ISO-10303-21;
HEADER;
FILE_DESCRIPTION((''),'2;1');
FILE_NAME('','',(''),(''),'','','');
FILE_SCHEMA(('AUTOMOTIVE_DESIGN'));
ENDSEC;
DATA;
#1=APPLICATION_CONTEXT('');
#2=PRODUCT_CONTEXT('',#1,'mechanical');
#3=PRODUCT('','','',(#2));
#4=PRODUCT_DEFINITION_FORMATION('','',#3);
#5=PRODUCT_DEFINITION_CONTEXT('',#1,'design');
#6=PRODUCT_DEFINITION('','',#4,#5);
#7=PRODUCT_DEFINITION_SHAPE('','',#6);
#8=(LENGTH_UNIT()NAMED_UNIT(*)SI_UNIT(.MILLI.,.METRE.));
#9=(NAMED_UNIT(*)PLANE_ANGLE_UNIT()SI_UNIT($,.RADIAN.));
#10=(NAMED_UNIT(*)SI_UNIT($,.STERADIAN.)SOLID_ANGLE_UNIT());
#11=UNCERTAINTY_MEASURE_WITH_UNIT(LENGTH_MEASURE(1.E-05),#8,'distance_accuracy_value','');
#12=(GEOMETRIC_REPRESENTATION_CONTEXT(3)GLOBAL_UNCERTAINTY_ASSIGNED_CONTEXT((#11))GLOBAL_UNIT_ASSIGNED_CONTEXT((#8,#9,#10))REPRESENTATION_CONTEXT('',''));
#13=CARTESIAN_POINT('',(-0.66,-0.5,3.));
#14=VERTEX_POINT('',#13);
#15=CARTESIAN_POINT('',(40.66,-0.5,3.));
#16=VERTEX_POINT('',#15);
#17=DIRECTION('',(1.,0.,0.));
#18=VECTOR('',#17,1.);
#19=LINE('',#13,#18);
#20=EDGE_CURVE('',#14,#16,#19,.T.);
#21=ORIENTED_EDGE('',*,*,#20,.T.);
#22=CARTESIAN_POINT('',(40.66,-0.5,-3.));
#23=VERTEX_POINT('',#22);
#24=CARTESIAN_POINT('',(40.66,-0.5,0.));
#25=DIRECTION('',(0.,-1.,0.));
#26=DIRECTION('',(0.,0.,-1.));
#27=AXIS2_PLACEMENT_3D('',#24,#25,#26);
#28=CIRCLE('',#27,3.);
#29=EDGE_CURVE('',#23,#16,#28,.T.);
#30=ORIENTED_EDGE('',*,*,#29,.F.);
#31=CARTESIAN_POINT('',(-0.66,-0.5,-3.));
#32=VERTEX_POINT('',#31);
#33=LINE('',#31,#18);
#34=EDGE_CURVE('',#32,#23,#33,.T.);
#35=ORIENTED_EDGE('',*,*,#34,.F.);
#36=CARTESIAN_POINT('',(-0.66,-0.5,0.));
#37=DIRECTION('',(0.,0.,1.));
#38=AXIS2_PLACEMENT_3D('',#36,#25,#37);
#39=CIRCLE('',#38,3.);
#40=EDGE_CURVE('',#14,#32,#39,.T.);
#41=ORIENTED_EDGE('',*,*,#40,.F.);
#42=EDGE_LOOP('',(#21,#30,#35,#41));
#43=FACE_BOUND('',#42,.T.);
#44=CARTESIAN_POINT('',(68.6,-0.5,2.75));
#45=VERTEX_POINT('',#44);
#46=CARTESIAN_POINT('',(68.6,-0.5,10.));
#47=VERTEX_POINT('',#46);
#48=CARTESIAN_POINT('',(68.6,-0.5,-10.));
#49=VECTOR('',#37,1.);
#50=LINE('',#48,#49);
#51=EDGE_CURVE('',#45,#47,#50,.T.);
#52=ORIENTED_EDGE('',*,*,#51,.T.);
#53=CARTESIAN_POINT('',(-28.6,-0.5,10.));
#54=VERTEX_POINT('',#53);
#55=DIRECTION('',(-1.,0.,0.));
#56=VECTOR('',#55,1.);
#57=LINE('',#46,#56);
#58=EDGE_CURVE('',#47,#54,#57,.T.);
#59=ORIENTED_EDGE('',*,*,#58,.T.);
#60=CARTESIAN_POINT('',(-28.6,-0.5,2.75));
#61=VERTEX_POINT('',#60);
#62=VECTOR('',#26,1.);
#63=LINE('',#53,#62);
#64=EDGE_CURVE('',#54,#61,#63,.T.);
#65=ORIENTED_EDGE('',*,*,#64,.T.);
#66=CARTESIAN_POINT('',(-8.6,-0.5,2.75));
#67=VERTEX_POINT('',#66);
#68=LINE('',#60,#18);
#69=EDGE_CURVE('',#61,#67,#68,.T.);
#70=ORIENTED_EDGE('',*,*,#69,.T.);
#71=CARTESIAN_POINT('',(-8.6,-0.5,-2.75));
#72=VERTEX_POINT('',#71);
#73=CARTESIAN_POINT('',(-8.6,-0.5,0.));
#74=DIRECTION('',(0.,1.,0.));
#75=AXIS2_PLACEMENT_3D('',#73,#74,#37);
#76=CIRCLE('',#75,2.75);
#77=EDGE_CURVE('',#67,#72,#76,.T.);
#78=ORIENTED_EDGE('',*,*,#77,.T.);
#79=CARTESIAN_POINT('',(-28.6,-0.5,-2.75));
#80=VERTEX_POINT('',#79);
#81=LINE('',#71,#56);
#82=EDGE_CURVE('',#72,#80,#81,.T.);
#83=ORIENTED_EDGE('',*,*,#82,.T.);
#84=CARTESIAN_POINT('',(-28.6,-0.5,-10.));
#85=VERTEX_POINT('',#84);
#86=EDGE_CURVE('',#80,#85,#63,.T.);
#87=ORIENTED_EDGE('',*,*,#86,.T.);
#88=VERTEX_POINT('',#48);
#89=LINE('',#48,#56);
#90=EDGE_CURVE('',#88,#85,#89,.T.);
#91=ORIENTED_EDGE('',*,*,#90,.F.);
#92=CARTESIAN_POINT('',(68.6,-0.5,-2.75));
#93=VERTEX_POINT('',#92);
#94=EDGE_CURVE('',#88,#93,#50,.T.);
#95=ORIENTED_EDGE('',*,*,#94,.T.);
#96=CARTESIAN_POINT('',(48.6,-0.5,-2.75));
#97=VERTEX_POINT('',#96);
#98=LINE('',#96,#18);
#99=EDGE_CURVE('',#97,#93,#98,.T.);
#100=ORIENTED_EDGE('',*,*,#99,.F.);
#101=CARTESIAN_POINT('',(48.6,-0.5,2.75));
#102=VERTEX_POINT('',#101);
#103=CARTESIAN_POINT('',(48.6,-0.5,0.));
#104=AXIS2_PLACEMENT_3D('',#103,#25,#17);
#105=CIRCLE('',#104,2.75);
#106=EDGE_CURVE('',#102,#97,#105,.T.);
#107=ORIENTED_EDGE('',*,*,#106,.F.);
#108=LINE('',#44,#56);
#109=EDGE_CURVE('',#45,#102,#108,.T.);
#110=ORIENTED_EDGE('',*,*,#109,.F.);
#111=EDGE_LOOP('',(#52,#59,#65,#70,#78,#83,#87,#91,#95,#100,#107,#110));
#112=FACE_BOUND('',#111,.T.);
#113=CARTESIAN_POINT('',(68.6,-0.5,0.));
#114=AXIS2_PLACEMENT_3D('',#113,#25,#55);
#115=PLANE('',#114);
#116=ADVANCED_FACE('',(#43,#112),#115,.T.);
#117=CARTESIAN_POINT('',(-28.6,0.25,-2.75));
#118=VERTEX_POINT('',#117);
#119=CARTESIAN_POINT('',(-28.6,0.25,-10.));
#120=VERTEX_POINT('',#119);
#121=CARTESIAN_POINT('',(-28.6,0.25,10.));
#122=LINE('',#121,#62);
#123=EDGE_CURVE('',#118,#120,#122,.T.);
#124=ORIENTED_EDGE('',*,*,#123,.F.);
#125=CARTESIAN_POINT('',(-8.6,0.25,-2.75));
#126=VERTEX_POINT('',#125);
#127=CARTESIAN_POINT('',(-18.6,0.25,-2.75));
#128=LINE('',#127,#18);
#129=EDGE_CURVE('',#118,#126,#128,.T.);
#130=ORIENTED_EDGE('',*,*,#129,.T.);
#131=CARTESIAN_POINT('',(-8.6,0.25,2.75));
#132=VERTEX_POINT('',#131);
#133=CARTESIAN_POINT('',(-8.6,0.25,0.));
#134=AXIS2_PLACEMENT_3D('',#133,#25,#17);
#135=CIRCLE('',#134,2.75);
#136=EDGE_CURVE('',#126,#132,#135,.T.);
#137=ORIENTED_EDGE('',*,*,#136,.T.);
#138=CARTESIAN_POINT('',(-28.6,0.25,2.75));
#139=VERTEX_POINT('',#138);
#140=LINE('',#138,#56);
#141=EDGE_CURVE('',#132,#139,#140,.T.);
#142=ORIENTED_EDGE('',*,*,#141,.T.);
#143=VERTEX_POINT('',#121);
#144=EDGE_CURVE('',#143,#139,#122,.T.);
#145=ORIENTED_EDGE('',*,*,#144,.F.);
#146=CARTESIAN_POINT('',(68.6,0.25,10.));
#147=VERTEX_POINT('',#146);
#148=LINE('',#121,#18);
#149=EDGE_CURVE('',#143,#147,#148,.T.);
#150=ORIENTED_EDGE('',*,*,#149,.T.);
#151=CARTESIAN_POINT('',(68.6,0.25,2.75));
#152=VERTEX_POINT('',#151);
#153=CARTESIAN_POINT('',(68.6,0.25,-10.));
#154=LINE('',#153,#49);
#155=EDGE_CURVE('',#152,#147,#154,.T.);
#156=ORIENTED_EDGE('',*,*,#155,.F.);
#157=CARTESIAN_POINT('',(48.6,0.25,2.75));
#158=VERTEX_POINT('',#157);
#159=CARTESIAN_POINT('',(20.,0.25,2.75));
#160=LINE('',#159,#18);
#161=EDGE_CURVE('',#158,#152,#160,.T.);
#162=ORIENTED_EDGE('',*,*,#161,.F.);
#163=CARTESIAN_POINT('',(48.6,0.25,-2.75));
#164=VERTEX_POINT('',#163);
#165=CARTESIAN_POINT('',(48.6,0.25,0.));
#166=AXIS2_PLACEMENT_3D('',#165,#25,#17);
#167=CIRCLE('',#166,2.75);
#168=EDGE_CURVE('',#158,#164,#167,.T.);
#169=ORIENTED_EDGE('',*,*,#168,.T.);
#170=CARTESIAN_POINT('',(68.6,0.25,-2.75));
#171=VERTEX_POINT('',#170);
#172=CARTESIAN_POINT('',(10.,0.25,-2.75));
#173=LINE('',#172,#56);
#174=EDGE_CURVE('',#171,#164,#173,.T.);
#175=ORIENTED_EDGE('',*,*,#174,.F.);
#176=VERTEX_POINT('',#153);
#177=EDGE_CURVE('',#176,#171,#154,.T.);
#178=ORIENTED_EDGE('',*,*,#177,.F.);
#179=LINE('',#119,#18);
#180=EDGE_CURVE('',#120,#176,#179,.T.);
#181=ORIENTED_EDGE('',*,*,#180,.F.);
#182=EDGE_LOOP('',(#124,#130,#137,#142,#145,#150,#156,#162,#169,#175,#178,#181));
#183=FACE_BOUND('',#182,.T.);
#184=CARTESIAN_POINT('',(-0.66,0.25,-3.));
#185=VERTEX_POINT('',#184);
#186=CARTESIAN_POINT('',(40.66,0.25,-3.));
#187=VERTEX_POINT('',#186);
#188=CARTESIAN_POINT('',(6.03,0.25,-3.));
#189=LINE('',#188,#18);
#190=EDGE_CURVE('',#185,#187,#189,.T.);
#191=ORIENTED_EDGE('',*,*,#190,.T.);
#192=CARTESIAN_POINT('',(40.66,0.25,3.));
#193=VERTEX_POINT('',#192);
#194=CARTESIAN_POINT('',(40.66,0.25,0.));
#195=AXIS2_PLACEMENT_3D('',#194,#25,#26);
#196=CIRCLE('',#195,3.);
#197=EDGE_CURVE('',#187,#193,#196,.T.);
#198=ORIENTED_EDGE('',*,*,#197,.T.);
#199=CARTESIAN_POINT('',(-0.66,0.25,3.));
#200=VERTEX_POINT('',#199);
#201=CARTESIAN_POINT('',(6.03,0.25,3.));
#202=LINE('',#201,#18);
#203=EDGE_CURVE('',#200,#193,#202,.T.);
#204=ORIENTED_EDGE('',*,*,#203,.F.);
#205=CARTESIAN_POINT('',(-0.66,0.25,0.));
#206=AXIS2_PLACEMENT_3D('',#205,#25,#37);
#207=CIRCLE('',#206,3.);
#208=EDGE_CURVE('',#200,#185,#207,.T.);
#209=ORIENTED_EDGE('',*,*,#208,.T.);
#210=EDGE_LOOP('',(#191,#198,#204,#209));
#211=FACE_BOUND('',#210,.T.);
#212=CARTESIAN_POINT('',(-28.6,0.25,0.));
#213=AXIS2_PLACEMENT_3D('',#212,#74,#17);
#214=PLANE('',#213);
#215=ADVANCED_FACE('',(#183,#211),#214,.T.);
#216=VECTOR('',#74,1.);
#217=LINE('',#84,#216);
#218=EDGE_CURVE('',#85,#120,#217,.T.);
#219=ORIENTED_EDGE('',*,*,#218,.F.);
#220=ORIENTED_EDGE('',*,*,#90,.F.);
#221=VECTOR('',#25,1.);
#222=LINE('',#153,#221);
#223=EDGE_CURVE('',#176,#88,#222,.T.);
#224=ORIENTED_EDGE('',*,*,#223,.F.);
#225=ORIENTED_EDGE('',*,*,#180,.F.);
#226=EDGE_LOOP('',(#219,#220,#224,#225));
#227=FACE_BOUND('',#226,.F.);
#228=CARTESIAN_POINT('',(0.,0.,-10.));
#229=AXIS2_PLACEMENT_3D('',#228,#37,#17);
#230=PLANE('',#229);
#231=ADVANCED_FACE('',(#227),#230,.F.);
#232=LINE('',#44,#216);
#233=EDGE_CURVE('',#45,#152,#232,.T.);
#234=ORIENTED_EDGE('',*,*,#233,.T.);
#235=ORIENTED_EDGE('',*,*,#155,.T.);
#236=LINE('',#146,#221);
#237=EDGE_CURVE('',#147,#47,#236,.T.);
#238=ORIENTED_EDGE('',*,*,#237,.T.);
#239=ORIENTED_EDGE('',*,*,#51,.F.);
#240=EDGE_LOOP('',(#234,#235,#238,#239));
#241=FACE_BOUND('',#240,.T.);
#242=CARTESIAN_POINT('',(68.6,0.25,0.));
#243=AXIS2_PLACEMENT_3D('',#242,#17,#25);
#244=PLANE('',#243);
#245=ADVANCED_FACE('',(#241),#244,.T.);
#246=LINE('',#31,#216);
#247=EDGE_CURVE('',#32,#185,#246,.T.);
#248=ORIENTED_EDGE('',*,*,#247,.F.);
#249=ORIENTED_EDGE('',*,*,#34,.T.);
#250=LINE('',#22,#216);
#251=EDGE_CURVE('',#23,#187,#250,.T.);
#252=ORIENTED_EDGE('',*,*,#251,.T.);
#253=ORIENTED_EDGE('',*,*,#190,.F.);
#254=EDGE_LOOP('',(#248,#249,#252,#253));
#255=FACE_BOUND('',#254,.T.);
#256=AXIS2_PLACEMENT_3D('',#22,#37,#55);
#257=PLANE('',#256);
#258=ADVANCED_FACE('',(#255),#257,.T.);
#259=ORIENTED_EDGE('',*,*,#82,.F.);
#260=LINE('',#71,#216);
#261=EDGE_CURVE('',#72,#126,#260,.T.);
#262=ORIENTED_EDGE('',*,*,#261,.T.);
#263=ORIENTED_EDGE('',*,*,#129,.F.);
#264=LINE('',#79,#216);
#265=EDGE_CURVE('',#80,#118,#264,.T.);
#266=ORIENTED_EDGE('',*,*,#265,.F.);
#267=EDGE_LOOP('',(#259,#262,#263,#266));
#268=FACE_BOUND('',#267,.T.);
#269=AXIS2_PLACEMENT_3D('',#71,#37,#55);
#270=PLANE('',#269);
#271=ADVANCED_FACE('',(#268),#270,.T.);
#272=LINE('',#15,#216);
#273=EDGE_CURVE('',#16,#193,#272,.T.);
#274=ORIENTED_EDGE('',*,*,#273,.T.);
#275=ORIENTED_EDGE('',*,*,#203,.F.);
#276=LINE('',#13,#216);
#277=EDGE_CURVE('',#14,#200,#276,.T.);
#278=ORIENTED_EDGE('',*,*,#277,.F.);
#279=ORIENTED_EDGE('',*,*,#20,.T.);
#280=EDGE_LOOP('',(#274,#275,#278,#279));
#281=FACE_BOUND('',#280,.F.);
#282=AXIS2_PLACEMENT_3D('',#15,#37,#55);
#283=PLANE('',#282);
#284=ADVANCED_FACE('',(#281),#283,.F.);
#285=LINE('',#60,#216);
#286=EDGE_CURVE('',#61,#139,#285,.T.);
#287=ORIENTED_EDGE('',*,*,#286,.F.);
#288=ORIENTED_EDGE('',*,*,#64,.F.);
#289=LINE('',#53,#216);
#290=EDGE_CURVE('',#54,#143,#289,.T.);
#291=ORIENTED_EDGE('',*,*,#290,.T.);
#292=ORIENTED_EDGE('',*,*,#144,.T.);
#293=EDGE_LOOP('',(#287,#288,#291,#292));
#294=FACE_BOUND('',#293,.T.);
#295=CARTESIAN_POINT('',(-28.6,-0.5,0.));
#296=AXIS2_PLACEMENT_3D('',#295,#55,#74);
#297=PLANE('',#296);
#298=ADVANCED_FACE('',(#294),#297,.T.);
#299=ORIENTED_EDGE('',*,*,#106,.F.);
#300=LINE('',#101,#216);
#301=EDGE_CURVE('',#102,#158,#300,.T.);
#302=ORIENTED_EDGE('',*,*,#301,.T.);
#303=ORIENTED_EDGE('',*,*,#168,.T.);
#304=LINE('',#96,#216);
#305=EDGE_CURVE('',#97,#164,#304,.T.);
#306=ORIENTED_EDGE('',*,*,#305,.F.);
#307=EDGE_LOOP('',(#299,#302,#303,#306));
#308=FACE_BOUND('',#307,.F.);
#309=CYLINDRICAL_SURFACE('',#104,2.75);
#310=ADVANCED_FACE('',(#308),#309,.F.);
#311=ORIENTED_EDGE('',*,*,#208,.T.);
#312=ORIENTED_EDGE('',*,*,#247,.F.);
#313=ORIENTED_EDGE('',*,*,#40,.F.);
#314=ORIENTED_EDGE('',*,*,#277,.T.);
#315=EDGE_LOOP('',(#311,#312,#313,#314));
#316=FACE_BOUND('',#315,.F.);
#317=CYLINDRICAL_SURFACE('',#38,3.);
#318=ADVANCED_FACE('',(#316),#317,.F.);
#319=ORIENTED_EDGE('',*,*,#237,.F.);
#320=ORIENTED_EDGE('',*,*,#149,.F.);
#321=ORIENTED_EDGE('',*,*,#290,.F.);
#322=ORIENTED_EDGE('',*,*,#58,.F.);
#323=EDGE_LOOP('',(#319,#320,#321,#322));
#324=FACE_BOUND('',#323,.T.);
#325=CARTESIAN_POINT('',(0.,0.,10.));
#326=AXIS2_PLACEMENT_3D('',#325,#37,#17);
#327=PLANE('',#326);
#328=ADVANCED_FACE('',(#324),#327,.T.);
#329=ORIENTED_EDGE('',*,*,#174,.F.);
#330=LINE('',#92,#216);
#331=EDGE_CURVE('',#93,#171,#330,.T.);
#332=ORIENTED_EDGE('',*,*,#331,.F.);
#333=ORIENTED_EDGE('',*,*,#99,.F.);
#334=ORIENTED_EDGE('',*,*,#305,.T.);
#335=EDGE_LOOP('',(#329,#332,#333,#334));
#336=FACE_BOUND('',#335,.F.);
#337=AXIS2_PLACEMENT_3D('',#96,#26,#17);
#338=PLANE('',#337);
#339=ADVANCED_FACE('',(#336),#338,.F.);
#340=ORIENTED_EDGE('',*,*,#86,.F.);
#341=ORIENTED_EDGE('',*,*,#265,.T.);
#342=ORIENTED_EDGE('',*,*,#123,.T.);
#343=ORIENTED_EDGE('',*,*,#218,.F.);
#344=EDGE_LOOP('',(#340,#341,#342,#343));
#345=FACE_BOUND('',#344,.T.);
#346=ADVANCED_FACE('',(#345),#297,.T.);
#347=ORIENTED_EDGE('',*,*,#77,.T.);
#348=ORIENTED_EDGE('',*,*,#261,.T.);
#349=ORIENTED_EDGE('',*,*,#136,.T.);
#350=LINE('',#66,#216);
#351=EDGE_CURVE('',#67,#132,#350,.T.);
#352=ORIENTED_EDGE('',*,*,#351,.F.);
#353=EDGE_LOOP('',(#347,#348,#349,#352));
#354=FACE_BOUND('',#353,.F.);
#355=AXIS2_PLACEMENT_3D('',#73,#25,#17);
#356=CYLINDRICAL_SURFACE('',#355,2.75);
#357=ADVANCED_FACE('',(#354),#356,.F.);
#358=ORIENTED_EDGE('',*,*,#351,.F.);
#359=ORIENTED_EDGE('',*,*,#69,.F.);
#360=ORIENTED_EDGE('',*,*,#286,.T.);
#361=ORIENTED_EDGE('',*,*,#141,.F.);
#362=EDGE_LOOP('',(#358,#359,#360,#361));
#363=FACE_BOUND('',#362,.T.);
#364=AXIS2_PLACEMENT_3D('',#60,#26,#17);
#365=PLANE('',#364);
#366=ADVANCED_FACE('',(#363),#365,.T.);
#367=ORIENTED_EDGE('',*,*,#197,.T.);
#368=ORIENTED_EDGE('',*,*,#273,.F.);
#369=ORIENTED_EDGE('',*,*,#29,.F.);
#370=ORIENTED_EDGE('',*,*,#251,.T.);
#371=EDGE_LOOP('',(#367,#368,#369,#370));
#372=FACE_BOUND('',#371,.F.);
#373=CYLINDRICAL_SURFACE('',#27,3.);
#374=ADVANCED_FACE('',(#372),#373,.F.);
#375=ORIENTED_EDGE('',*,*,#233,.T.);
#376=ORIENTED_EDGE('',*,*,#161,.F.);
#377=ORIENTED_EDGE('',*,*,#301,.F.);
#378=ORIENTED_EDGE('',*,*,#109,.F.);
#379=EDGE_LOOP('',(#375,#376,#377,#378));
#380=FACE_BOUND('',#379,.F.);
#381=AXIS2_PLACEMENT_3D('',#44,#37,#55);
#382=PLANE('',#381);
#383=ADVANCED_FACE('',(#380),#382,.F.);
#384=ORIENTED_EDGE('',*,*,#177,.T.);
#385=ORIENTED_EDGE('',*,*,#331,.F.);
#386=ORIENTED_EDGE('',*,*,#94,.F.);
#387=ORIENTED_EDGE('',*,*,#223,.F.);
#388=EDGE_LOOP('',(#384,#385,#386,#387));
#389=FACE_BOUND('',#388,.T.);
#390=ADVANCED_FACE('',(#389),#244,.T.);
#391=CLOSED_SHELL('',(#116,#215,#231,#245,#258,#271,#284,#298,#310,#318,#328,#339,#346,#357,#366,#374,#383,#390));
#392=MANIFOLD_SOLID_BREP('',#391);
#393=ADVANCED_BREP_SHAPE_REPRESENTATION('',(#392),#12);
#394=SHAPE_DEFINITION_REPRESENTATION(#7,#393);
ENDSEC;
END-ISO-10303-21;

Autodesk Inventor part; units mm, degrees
ref_plane "YZ Plane" through (0, 0, 0) normal (1, 0, 0) x (0, 1, 0)
ref_plane "XZ Plane" through (0, 0, 0) normal (0, 1, 0) x (-1, 0, 0)
ref_plane "XY Plane" through (0, 0, 0) normal (0, 0, 1) x (1, 0, 0)
sketch "Sketch5" plane through (0, 0, 0) normal (0, 0, 1) x (1, 0, 0)
  line L0 (68.6, -0.5) -> (-28.6, -0.5)
  line L1 (-28.6, -0.5) -> (-28.6, 0.25)
  line L2 (-28.6, 0.25) -> (68.6, 0.25)
  line L3 (68.6, 0.25) -> (68.6, -0.5)
  line L4 (68.6, -0.5) -> (-28.6, 0.25) construction
  line L5 (-28.6, -0.5) -> (68.6, 0.25) construction
  point P0 (20, -0.125)
  dimension "d83" = 97.2
  dimension "d84" = 0.75
extrude "Extrusion5" add sketch "Sketch5" along normal mid plane 20
sketch "Sketch7" plane through (-28.6, -0.5, 10) normal (0, -1, 0) x (1, 0, 0)
  circle A0 centre (77.2, -10) radius 2.75
  circle A1 centre (20, -10) radius 2.75
  line L0 (0, 0) -> (97.2, 0) projected
  line L1 (97.2, -20) -> (97.2, 0) projected
  line L2 (0, -20) -> (0, 0) projected
  line L3 (77.2, -12.75) -> (97.2, -12.75)
  line L4 (97.2, -12.75) -> (97.2, -7.25)
  line L5 (97.2, -7.25) -> (77.2, -7.25)
  line L6 (77.2, -7.25) -> (77.2, -12.75)
  line L7 (20, -12.75) -> (0, -12.75)
  line L8 (0, -12.75) -> (0, -7.25)
  line L9 (0, -7.25) -> (20, -7.25)
  line L10 (20, -7.25) -> (20, -12.75)
  arc A2 (27.94, -7) -> (27.94, -13) centre (27.94, -10) ccw
  line L11 (48.6, 0) -> (48.6, -20)
  line L12 (97.2, -20) -> (0, -20) projected
  line L13 (27.94, -7) -> (48.6, -7)
  line L14 (27.94, -13) -> (48.6, -13)
  line L15 (27.94, -13) -> (48.6, -13) construction
  arc A3 (69.26, -13) -> (69.26, -7) centre (69.26, -10) ccw
  line L16 (69.26, -7) -> (48.6, -7)
  line L17 (69.26, -13) -> (48.6, -13)
  line L18 (69.26, -13) -> (48.6, -13) construction
  point P0 (28.6, -10)
  point P1 (0, -10)
  point P2 (20, -7.25)
  point P3 (77.2, -7.25)
  dimension "d85" = 5.5
  dimension "d86" = 5.5
  dimension "d87" = 10
  dimension "d88" = 20
  dimension "d89" = 20
  dimension "d90" = 10
  dimension "d93" = 6
  dimension "d94" = 27.94
extrude "Extrusion7" cut sketch "Sketch7" against normal blind 20 contours A0 L6 | A0 L5 L1 L3 | L6 A0 | L16 A3 L17 L11 | L11 L14 A2 L13 | L9 A1 L7 L2 | L10 A1 | A1 L10
properties part number "Galvo Spacer Y"
